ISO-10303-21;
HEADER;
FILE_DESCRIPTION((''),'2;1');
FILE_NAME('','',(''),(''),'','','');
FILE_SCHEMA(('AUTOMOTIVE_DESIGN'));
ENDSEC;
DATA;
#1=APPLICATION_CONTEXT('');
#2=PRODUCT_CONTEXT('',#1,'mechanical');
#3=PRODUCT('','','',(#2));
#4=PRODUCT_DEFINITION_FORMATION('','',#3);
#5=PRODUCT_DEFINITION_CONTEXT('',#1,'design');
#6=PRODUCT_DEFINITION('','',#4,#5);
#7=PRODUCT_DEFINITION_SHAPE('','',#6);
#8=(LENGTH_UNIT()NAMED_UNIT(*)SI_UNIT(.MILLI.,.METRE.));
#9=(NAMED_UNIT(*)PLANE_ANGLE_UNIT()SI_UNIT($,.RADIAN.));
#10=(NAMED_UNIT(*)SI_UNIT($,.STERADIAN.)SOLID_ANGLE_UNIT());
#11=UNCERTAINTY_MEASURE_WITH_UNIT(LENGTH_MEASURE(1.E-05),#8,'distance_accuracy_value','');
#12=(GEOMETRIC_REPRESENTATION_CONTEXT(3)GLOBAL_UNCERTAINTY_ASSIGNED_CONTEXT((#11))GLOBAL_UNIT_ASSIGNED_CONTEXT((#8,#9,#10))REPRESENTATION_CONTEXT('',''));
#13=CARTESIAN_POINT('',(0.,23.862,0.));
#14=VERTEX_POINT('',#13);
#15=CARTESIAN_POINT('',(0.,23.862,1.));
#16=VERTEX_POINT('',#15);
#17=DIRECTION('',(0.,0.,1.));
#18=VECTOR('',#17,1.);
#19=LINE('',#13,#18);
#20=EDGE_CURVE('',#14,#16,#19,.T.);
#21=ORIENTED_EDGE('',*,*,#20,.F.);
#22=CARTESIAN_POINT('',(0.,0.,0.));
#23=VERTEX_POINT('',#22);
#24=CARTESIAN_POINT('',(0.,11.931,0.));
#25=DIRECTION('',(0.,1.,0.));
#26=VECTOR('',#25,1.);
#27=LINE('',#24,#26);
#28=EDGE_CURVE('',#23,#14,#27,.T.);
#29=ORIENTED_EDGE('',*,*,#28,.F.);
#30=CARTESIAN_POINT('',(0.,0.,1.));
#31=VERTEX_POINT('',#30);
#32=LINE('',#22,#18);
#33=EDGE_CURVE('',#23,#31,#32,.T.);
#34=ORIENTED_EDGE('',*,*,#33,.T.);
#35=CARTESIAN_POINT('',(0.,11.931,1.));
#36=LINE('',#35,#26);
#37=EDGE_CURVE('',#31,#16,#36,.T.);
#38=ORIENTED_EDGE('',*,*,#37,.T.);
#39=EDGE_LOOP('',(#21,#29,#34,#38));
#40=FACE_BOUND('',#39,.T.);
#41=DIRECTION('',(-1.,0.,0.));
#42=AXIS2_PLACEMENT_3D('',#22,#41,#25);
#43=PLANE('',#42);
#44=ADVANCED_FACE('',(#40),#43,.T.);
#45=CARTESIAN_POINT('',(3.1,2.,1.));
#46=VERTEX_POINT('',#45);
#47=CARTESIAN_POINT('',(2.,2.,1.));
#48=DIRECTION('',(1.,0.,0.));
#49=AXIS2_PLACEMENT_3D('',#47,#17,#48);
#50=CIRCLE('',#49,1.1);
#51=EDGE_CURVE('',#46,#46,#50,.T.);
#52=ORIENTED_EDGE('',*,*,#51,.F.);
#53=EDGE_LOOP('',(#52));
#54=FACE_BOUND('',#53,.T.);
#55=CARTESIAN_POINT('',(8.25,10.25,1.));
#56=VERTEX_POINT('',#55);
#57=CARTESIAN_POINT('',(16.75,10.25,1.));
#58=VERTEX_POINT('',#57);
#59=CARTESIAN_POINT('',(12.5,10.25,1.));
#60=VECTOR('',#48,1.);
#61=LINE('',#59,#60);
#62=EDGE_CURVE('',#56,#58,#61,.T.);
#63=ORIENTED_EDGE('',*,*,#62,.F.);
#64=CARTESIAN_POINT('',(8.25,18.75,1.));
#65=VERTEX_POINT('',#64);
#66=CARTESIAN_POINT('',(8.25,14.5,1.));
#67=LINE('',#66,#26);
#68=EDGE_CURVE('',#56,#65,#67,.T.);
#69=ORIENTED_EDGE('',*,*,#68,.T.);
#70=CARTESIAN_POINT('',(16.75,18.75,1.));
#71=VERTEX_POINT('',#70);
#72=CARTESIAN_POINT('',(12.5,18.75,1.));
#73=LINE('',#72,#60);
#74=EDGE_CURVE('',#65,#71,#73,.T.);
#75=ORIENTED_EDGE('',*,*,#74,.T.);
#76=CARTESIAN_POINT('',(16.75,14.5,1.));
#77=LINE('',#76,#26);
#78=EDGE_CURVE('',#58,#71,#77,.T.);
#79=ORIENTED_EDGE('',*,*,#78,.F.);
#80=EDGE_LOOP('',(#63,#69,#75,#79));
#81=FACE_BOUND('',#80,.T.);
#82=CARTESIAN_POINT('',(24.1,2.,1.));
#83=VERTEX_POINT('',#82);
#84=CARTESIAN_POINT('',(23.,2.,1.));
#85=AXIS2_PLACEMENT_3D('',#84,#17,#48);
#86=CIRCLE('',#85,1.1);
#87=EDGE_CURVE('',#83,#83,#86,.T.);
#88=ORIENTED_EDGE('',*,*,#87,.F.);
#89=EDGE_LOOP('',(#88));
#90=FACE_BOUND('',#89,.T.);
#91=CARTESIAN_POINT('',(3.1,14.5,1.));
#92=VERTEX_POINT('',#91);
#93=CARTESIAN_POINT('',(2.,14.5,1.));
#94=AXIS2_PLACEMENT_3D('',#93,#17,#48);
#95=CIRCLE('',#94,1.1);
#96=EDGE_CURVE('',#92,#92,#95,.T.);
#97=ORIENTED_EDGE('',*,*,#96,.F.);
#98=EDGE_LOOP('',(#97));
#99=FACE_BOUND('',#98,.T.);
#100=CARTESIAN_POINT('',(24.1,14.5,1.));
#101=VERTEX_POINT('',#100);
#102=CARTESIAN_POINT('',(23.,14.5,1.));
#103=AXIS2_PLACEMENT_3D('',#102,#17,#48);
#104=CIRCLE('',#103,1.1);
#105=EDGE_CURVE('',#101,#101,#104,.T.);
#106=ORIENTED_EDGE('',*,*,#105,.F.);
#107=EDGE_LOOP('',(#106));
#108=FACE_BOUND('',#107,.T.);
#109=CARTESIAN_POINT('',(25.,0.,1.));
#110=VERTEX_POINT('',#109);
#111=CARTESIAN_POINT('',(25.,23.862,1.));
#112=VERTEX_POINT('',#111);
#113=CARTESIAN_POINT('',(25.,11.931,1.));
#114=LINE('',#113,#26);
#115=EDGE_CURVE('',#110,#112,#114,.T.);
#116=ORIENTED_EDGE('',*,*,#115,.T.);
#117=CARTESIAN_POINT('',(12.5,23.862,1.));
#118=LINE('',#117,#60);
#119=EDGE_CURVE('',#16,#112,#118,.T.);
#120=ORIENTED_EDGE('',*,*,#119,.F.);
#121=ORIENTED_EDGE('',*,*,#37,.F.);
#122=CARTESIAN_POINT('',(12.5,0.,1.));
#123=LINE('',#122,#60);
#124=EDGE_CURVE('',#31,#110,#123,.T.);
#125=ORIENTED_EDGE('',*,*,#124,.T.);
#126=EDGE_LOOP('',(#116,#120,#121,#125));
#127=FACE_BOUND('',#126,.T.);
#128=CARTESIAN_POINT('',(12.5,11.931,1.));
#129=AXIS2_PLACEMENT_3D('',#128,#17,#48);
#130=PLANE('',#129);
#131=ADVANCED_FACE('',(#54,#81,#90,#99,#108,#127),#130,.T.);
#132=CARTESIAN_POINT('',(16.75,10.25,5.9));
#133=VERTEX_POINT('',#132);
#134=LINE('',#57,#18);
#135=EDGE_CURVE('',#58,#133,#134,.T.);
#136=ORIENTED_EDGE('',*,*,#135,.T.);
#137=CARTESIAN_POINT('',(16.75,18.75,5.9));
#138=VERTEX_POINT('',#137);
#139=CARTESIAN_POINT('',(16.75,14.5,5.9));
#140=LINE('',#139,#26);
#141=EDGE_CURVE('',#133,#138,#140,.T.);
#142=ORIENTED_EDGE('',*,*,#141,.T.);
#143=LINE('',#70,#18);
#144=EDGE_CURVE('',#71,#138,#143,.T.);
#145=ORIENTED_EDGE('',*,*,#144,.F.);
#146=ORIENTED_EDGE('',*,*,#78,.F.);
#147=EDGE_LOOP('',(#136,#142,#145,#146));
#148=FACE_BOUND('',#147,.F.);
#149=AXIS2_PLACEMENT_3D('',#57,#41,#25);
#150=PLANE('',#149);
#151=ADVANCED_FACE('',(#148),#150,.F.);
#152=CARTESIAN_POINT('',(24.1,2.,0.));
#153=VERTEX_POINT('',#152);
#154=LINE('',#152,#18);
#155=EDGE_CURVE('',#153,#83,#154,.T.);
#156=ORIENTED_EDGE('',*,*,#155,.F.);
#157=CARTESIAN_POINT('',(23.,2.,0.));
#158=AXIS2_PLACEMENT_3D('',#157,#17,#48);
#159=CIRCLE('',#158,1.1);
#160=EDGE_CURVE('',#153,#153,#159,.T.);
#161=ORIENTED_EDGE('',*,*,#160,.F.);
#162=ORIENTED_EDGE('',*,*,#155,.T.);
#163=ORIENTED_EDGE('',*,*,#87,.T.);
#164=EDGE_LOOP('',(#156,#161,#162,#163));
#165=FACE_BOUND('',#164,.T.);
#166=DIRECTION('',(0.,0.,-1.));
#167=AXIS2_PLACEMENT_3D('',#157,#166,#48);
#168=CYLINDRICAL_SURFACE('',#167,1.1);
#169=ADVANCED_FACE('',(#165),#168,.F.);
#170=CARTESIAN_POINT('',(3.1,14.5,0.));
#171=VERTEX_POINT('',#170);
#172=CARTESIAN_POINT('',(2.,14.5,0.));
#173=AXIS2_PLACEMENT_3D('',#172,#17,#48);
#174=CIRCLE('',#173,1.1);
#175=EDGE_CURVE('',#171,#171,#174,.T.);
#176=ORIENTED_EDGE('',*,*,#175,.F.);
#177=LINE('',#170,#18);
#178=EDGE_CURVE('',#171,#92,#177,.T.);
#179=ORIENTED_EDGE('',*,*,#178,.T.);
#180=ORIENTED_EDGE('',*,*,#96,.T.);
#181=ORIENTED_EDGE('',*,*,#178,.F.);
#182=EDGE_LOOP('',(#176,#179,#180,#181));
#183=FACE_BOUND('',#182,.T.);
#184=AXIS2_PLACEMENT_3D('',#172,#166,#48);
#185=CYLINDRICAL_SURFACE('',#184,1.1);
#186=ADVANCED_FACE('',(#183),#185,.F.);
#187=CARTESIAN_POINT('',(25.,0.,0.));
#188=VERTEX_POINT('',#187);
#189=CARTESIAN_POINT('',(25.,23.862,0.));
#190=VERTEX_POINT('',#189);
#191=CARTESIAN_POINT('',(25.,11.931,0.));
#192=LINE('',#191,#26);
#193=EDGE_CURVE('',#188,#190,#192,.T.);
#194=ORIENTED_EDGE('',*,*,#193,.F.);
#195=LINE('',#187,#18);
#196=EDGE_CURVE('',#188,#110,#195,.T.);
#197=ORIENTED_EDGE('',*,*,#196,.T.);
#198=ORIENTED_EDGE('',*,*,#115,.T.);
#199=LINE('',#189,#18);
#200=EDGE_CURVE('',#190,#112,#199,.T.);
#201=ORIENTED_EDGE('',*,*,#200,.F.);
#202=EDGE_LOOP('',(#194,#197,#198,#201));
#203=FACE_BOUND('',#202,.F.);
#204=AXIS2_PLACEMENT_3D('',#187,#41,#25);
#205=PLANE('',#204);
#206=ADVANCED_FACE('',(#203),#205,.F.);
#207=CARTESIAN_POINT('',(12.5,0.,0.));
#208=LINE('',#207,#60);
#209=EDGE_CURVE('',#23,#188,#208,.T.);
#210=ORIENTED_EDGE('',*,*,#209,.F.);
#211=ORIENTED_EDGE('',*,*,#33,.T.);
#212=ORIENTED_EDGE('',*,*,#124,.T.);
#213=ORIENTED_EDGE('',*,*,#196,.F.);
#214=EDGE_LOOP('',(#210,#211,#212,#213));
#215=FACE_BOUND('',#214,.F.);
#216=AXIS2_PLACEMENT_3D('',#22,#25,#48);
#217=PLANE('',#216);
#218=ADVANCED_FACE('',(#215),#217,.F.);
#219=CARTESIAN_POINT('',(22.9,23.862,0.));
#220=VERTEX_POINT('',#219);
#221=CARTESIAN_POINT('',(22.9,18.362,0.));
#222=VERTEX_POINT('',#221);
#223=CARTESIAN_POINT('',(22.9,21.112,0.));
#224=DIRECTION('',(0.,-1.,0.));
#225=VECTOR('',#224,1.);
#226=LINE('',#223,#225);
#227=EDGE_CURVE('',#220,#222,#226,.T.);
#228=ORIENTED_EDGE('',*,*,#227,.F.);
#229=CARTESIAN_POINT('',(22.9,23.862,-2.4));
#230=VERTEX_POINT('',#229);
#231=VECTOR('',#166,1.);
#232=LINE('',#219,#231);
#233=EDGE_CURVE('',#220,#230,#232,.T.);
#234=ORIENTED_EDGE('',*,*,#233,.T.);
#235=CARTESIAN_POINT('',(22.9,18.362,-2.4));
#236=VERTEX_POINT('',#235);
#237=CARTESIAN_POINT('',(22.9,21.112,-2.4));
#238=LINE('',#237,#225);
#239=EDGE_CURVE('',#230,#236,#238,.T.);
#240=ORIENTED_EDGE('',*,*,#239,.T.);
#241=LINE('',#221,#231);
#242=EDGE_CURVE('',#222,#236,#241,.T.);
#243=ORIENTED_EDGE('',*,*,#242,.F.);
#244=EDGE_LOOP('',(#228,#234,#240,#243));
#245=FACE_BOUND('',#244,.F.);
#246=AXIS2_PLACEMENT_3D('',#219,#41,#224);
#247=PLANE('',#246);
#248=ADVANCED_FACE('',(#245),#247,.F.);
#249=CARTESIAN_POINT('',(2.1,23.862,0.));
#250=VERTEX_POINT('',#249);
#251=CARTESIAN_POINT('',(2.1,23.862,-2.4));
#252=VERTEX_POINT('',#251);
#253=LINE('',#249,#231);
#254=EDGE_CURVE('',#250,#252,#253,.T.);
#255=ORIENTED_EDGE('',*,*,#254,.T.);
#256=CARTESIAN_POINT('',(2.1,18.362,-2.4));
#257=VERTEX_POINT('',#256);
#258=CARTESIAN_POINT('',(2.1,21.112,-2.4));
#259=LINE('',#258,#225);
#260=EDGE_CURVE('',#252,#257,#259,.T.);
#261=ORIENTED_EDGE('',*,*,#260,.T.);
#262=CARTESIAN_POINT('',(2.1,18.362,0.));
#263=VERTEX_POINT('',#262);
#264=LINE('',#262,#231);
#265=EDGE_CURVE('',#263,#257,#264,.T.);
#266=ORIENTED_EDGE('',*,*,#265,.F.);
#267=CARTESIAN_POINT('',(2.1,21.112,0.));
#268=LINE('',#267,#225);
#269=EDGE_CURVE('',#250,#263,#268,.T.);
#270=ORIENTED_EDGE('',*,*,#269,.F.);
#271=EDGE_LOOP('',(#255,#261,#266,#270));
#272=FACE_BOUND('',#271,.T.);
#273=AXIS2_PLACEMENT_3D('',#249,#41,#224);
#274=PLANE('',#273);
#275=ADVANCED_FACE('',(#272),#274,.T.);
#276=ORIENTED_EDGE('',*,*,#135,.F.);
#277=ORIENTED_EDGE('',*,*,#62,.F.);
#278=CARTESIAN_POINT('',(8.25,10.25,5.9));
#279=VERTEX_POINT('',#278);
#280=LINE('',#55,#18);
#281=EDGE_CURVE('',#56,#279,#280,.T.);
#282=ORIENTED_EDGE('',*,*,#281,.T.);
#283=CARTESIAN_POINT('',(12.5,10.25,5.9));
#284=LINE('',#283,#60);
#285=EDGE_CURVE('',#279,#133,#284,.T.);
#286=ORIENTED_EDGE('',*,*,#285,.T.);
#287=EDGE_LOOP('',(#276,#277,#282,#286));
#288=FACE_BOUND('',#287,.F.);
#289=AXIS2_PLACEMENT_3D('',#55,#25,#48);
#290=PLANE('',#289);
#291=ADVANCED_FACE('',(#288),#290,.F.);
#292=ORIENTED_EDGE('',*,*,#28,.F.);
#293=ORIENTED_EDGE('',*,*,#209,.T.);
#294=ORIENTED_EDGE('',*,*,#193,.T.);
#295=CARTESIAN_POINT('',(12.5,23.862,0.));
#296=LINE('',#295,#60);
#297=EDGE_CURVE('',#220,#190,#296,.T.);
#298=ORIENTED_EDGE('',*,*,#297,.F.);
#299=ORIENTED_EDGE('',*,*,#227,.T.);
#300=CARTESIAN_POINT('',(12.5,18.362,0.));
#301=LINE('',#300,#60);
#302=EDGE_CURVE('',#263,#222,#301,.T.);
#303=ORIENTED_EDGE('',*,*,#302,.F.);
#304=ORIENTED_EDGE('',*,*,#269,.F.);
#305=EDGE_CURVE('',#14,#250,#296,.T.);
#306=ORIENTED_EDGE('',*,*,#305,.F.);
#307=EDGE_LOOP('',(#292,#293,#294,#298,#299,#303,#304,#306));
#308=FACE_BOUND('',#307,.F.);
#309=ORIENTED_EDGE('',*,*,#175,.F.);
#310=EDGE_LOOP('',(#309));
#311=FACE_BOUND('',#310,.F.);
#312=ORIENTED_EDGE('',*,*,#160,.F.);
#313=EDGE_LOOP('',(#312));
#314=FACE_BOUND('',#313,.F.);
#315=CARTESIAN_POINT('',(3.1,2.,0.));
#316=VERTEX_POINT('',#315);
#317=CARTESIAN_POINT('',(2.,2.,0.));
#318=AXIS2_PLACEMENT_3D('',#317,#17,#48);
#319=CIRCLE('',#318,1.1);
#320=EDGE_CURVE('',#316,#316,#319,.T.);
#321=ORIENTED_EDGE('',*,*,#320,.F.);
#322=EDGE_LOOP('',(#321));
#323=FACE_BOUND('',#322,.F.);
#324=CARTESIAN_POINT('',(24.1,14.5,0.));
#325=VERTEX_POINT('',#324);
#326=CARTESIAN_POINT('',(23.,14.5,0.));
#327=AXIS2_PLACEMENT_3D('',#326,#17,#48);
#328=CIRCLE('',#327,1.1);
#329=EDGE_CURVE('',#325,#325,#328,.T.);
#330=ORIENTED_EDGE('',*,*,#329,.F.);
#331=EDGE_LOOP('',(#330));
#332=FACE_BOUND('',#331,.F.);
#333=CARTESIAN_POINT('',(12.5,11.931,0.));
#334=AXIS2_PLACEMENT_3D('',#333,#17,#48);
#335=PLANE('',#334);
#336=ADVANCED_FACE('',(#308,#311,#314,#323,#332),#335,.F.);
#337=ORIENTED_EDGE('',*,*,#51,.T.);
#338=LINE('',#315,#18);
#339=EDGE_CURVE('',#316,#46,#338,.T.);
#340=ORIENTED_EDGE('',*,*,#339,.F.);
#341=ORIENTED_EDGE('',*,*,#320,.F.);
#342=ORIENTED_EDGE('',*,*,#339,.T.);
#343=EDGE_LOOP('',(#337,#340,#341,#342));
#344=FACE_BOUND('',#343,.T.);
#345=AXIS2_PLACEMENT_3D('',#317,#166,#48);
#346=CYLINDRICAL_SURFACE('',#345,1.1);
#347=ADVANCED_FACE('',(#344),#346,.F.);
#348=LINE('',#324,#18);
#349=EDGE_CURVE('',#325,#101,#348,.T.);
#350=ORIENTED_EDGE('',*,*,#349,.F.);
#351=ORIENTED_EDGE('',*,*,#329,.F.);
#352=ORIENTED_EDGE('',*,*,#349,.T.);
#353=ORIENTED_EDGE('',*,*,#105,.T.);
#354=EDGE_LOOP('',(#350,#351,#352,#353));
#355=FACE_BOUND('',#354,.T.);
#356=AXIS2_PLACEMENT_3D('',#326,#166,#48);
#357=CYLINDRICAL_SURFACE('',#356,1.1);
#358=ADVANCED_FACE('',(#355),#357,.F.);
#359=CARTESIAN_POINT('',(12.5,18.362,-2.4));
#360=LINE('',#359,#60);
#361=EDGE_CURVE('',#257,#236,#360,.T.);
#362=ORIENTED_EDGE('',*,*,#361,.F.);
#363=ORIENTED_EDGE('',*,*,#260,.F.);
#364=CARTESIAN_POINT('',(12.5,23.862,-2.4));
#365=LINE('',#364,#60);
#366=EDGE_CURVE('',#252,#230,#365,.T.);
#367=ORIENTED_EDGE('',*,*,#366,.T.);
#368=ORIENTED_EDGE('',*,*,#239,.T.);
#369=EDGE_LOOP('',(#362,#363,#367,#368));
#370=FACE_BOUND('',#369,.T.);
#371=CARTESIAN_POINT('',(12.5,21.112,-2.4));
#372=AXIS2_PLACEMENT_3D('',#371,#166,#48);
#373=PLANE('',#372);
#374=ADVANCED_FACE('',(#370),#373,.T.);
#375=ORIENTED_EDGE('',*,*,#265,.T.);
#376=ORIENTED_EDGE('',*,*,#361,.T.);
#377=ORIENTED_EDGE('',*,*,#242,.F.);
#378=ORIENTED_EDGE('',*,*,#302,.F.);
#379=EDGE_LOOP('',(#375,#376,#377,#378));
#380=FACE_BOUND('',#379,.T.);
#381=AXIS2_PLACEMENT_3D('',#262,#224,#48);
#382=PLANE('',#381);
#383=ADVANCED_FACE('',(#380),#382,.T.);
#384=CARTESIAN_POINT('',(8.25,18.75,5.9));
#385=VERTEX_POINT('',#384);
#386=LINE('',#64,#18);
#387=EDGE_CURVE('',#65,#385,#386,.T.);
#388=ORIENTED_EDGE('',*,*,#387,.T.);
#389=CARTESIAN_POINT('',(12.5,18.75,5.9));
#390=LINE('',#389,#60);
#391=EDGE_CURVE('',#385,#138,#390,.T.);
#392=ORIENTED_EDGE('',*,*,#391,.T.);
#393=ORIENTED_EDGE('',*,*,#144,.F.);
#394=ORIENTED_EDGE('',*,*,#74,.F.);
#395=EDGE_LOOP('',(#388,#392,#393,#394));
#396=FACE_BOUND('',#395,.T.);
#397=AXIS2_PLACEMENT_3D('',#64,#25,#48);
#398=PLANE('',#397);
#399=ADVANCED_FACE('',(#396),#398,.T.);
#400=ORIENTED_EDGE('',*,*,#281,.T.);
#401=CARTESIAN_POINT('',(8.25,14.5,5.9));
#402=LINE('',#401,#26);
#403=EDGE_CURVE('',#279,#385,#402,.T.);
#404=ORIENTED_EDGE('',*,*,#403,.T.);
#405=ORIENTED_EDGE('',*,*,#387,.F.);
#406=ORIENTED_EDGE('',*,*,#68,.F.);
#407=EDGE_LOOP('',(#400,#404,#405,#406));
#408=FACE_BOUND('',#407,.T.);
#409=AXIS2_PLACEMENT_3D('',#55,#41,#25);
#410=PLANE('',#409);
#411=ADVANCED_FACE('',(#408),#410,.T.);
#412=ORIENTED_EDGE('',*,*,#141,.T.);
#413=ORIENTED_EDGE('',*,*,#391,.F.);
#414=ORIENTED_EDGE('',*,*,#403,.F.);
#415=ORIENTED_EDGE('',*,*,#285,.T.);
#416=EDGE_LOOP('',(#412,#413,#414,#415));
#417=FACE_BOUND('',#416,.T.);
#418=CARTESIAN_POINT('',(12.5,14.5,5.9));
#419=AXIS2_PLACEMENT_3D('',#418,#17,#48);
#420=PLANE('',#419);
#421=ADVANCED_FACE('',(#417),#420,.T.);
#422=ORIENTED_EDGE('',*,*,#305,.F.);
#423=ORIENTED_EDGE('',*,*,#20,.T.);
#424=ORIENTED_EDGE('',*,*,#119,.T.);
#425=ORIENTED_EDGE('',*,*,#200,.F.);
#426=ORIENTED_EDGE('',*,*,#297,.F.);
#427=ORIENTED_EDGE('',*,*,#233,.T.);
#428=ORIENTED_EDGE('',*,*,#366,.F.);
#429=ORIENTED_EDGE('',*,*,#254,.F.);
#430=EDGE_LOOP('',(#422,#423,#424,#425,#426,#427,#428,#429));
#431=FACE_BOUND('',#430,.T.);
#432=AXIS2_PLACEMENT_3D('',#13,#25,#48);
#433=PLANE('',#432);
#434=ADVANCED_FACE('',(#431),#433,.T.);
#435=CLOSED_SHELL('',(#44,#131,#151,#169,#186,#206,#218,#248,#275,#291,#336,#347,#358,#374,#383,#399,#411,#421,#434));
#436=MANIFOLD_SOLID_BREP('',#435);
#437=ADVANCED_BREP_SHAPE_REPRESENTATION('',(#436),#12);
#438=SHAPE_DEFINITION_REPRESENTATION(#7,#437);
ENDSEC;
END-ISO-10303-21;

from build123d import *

# Parameters (mm, degrees)
F0_W     = 25
F0_H     = 23.862
F0_R     = 1.1
F1_DEPTH = 1
F2_W     = 20.8
F2_H     = 5.5
F3_DEPTH = 2.4
F4_W     = 8.5
F4_H     = 8.5
F5_DEPTH = 4.9


with BuildPart() as f1:
    # F0 (on Top) → F1 (new body)
    with BuildSketch(Plane.XY):
        with Locations((12.5, 11.931)):
            Rectangle(F0_W, F0_H)
        with Locations((2, 2)):
            Circle(F0_R, mode=Mode.SUBTRACT)
        with Locations((23, 2)):
            Circle(F0_R, mode=Mode.SUBTRACT)
        with Locations((2, 14.5)):
            Circle(F0_R, mode=Mode.SUBTRACT)
        with Locations((23, 14.5)):
            Circle(F0_R, mode=Mode.SUBTRACT)
    extrude(amount=F1_DEPTH)

    # F2 (on face) → F3 (join)
    with BuildSketch(Plane(origin=(0, 0, 0), x_dir=(1, 0, 0), z_dir=(0, 0, -1))):
        with Locations((12.5, -21.112)):
            Rectangle(F2_W, F2_H)
    extrude(amount=F3_DEPTH)

    # F4 (on face) → F5 (join)
    with BuildSketch(Plane.XY.offset(1)):
        with Locations((12.5, 14.5)):
            Rectangle(F4_W, F4_H)
    extrude(amount=F5_DEPTH)


solid = f1.part
